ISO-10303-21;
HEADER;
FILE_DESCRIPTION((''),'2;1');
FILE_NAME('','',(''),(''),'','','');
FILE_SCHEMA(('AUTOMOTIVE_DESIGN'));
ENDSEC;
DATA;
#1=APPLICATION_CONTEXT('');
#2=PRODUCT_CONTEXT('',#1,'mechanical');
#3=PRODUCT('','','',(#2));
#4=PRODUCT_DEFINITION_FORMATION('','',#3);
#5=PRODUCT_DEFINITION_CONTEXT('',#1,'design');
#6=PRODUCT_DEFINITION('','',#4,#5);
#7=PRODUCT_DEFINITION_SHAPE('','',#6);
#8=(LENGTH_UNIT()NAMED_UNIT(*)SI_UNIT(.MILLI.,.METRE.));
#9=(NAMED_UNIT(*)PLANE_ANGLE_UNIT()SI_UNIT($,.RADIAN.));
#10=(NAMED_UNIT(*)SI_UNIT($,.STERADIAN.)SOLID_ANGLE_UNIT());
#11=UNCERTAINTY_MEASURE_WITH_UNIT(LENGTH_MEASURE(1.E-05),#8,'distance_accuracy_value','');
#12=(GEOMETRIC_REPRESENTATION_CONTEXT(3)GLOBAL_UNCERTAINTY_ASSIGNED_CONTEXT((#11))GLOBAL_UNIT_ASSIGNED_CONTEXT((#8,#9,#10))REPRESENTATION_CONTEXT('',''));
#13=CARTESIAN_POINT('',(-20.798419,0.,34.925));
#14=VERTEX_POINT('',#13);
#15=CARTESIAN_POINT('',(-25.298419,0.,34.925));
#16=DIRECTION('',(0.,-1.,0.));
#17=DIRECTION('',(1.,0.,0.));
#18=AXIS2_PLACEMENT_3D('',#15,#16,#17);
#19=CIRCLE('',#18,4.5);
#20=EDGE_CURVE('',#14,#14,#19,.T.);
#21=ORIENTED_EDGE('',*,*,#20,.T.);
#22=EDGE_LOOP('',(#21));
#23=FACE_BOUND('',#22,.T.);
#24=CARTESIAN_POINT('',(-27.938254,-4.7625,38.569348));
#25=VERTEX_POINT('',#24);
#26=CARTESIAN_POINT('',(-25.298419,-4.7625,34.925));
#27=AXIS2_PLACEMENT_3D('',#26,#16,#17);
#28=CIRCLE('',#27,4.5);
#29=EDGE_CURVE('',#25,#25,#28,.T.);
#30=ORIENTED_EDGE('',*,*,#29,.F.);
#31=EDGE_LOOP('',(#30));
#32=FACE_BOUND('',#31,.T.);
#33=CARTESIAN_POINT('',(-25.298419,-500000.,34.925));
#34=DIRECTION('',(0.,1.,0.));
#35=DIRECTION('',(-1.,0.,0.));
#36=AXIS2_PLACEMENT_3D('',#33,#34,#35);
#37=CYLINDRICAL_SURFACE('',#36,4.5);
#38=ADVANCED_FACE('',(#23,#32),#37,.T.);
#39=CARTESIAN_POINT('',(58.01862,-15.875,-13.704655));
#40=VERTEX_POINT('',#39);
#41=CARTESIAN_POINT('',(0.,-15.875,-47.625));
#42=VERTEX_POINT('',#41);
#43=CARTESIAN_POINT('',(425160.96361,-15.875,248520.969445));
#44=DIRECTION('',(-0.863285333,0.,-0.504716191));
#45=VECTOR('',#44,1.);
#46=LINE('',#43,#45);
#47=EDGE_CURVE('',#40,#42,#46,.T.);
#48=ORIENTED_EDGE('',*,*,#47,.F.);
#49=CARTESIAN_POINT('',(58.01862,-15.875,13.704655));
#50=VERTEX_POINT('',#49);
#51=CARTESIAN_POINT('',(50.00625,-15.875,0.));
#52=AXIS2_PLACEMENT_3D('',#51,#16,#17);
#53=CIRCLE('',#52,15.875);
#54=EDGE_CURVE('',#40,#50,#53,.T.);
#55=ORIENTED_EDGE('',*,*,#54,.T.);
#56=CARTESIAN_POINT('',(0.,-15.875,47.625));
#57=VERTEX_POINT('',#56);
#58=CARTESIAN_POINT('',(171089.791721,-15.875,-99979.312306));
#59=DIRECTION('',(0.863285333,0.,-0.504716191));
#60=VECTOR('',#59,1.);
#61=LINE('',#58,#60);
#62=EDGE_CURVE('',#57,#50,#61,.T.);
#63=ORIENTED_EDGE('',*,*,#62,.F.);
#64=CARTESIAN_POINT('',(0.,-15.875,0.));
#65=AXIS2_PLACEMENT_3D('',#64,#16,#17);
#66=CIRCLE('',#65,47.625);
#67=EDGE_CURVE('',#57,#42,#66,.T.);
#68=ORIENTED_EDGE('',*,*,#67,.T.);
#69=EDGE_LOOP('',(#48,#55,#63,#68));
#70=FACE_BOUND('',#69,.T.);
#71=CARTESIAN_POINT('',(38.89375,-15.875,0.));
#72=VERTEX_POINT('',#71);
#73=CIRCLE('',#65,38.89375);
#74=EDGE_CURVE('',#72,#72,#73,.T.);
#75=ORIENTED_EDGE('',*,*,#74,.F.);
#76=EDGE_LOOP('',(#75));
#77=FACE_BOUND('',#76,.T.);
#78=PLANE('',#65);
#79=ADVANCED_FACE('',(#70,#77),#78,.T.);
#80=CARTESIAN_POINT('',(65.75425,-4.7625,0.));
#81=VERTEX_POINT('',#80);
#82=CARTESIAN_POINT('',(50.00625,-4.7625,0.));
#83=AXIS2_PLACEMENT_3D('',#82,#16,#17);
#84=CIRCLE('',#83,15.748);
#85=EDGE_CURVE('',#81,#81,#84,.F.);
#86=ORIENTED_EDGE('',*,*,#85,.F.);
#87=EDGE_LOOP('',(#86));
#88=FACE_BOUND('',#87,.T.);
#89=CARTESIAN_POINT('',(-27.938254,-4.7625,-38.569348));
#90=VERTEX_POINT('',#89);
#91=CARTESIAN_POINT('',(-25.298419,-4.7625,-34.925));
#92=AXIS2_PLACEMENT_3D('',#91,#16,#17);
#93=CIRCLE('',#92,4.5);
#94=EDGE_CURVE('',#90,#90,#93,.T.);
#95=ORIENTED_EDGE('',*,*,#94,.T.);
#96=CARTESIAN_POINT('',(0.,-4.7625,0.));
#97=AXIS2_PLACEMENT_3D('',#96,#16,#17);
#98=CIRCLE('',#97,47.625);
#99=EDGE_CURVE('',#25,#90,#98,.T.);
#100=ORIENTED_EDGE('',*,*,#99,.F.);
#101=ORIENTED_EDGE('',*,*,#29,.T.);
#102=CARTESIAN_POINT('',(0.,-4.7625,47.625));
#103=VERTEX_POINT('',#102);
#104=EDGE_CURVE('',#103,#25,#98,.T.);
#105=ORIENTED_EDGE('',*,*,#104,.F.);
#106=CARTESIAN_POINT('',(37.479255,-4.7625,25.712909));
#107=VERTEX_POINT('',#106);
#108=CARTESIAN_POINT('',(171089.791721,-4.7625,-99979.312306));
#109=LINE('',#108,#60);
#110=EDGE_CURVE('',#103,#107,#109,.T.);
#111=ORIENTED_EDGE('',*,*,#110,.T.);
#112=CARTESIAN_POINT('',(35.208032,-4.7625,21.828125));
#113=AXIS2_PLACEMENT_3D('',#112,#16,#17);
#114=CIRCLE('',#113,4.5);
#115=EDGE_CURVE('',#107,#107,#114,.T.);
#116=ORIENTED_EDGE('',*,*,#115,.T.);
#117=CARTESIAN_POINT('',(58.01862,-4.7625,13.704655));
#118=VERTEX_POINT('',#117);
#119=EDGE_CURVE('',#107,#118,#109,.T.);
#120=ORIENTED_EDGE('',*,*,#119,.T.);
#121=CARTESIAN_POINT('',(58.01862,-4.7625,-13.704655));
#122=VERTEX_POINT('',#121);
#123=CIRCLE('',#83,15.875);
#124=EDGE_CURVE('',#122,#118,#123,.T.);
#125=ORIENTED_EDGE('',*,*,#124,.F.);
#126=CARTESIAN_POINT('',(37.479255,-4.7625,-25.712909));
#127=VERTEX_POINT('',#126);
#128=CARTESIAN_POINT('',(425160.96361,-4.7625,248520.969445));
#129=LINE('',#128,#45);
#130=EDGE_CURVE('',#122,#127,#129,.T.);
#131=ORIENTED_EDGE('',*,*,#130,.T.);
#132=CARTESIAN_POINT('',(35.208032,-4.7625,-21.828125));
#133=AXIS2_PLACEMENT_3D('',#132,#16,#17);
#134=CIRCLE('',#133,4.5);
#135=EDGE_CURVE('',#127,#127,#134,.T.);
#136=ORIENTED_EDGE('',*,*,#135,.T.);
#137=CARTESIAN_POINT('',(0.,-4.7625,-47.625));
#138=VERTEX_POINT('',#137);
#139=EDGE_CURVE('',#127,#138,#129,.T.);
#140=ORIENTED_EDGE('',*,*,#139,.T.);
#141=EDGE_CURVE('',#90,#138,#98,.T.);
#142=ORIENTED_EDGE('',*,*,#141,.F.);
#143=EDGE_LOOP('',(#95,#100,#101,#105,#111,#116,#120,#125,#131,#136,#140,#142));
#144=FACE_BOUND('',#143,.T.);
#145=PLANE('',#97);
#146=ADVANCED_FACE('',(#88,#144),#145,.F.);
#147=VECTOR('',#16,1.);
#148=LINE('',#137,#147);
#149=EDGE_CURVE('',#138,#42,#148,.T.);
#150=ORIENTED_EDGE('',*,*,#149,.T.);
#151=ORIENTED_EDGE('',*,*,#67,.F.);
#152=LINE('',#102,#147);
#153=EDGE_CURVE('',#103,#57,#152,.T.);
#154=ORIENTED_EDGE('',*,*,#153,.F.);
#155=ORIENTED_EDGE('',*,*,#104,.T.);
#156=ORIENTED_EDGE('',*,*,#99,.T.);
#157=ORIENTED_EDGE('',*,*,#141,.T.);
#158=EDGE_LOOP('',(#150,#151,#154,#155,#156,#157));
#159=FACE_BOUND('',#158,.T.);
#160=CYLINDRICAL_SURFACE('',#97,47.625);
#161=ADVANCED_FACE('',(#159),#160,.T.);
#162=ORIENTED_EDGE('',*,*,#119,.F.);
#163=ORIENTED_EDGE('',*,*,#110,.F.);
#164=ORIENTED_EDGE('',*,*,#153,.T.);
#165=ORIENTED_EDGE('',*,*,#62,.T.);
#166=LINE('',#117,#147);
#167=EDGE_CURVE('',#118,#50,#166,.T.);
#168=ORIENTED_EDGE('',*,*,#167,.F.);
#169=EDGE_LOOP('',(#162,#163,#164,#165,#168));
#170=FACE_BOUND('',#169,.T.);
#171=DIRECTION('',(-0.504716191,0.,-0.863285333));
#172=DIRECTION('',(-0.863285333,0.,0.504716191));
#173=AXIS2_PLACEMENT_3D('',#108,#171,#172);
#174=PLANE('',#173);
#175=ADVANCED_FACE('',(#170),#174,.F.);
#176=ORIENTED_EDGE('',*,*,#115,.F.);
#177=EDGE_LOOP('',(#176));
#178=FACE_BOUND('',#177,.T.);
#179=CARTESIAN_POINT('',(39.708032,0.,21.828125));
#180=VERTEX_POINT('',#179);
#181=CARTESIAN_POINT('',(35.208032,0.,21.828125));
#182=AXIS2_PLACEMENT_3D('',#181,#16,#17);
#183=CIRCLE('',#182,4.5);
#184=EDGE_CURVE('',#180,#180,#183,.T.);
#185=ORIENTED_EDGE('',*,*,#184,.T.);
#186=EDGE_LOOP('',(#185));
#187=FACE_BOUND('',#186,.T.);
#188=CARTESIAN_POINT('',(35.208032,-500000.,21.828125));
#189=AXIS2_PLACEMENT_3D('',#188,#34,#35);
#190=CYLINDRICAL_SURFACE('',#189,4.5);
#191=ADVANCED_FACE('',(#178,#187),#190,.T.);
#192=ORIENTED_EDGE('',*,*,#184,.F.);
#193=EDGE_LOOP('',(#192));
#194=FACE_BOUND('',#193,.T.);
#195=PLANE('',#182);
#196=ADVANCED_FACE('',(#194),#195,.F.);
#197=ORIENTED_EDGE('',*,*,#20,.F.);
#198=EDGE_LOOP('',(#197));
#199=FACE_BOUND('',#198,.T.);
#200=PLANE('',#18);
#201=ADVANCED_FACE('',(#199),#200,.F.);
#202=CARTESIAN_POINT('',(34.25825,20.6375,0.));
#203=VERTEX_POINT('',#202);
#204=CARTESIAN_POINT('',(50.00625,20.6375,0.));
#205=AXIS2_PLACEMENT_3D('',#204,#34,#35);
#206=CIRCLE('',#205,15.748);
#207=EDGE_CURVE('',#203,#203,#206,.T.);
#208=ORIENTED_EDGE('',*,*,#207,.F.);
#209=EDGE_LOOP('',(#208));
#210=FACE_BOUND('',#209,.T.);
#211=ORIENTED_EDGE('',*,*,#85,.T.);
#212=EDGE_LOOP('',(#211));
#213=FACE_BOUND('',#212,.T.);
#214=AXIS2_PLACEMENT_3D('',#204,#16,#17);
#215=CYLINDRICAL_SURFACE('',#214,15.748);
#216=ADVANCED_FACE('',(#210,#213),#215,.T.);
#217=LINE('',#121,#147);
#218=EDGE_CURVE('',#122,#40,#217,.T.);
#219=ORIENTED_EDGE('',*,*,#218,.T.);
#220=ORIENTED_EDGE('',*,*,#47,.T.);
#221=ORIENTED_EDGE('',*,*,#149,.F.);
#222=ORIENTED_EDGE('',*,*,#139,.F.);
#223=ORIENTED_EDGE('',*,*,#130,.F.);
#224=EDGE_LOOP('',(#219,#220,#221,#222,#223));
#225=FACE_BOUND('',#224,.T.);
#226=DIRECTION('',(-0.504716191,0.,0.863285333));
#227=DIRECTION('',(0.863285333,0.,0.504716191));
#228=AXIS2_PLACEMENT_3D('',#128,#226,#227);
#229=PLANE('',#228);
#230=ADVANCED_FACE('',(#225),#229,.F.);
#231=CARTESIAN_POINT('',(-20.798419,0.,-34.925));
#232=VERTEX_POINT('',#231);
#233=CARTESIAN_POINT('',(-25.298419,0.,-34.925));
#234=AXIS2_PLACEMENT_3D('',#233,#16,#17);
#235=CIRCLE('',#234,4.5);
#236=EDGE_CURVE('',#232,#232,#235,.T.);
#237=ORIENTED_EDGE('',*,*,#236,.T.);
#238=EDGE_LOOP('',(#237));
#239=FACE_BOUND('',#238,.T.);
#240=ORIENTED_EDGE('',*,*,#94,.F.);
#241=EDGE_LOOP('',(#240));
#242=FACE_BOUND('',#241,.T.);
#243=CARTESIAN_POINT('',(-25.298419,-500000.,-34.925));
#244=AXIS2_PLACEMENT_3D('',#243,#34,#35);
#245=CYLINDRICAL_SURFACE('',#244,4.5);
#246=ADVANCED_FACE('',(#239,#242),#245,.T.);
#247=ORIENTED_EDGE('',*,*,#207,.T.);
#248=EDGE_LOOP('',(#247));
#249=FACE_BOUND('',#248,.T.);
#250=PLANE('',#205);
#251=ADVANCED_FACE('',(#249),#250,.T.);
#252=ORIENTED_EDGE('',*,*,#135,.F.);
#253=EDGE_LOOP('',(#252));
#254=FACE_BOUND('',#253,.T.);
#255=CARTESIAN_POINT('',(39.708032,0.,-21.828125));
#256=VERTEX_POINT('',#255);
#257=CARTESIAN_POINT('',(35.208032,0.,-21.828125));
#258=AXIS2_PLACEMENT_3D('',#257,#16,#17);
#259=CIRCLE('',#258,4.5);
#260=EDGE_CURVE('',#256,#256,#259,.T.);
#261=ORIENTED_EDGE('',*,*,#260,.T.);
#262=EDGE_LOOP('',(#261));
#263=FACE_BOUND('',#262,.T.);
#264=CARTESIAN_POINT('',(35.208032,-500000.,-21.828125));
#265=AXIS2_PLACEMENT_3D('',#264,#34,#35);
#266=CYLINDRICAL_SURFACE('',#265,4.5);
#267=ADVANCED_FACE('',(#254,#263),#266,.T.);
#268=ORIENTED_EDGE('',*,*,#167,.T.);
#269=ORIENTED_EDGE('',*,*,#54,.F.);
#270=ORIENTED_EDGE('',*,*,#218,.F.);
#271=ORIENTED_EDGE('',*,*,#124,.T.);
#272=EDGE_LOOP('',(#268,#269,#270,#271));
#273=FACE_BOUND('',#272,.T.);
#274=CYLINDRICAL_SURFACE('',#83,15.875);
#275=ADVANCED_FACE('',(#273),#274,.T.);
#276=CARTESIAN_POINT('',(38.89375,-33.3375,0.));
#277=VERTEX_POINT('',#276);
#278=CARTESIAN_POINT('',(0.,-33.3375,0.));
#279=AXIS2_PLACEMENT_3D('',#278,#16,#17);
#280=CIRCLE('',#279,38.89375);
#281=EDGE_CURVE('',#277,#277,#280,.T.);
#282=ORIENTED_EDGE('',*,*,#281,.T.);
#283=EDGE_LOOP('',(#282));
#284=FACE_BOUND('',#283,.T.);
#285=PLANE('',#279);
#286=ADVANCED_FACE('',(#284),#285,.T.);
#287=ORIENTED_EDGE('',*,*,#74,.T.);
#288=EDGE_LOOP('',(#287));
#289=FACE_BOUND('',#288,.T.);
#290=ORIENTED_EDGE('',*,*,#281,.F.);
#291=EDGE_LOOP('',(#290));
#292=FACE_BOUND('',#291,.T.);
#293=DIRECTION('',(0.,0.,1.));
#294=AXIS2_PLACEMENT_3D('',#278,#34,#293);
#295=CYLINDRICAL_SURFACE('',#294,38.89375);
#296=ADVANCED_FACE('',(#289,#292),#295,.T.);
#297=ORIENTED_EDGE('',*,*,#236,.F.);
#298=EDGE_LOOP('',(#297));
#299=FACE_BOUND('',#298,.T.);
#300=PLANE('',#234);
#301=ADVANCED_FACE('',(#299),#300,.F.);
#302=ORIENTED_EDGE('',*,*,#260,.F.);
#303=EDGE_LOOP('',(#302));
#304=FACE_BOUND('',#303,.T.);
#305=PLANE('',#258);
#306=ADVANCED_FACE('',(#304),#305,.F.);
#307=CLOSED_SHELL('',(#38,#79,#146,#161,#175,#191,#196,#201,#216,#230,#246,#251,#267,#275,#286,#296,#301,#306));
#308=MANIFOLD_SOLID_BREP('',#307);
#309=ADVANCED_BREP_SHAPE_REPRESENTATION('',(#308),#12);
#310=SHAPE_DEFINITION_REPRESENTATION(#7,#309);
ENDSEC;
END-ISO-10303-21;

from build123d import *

# Parameters (mm, degrees)
BOSS_EXTRUDE1_START = -15.875
SKETCH1_R           = 38.89375
BOSS_EXTRUDE1_DEPTH = 17.4625
BOSS_EXTRUDE2_START = 15.875
BOSS_EXTRUDE2_DEPTH = 11.1125
BOSS_EXTRUDE3_REACH = 89.863
SKETCH3_R           = 4.5
SKETCH4_R           = 15.748
BOSS_EXTRUDE4_DEPTH = 25.4


with BuildPart() as part:
    # Sketch1 → Boss-Extrude1 (new body)
    with BuildSketch(Plane(origin=(0, 0, 0), x_dir=(1, 0, 0), z_dir=(0, 1, 0)).offset(BOSS_EXTRUDE1_START)):
        Circle(SKETCH1_R)
    extrude(amount=-BOSS_EXTRUDE1_DEPTH)

    # Sketch2 → Boss-Extrude2 (add)
    with BuildSketch(Plane(origin=(0, 0, 0), x_dir=(-1, 0, 0), z_dir=(0, -1, 0)).offset(BOSS_EXTRUDE2_START)):
        with BuildLine():
            Line((-58.018619526, 13.704654669), (0, 47.625))
            ThreePointArc((0, 47.625), (47.625, 0), (0, -47.625))
            Line((0, -47.625), (-58.018619526, -13.704654669))
            ThreePointArc((-58.018619526, -13.704654669), (-65.88125, 0), (-58.018619526, 13.704654669))
        make_face()
    extrude(amount=-BOSS_EXTRUDE2_DEPTH)

    # Sketch3 → Boss-Extrude3 (add, up to next)
    with BuildSketch(Plane(origin=(0, 0, 0), x_dir=(-1, 0, 0), z_dir=(0, -1, 0)), mode=Mode.PRIVATE) as boss_extrude3_sk1:
        with Locations(Location((-35.208032093, 21.828125, 0), (0, 0, 120.312514276))):
            Circle(SKETCH3_R)
    boss_extrude3_tool1 = extrude(boss_extrude3_sk1.sketch, amount=BOSS_EXTRUDE3_REACH, mode=Mode.PRIVATE) - part.part
    # Sketch3 → Boss-Extrude3 (add, up to next)
    with BuildSketch(Plane(origin=(0, 0, 0), x_dir=(-1, 0, 0), z_dir=(0, -1, 0)), mode=Mode.PRIVATE) as boss_extrude3_sk2:
        with Locations(Location((-35.208032093, -21.828125, 0), (0, 0, 239.687485724))):
            Circle(SKETCH3_R)
    boss_extrude3_tool2 = extrude(boss_extrude3_sk2.sketch, amount=BOSS_EXTRUDE3_REACH, mode=Mode.PRIVATE) - part.part
    # Sketch3 → Boss-Extrude3 (add, up to next)
    with BuildSketch(Plane(origin=(0, 0, 0), x_dir=(-1, 0, 0), z_dir=(0, -1, 0)), mode=Mode.PRIVATE) as boss_extrude3_sk3:
        with Locations(Location((25.298418923, -34.925, 0), (0, 0, 305.918677721))):
            Circle(SKETCH3_R)
    boss_extrude3_tool3 = extrude(boss_extrude3_sk3.sketch, amount=BOSS_EXTRUDE3_REACH, mode=Mode.PRIVATE) - part.part
    # Sketch3 → Boss-Extrude3 (add, up to next)
    with BuildSketch(Plane(origin=(0, 0, 0), x_dir=(-1, 0, 0), z_dir=(0, -1, 0)), mode=Mode.PRIVATE) as boss_extrude3_sk4:
        with Locations(Location((25.298418923, 34.925, 0), (0, 0, 54.082225764))):
            Circle(SKETCH3_R)
    boss_extrude3_tool4 = extrude(boss_extrude3_sk4.sketch, amount=BOSS_EXTRUDE3_REACH, mode=Mode.PRIVATE) - part.part
    add(boss_extrude3_tool1.solids().sort_by_distance((35.208032, 0, -21.828125))[0])
    add(boss_extrude3_tool2.solids().sort_by_distance((35.208032, 0, 21.828125))[0])
    add(boss_extrude3_tool3.solids().sort_by_distance((-25.298419, 0, 34.925))[0])
    add(boss_extrude3_tool4.solids().sort_by_distance((-25.298419, 0, -34.925))[0])

    # Sketch4 → Boss-Extrude4 (add)
    with BuildSketch(Plane(origin=(0, -4.7625, 0), x_dir=(1, 0, 0), z_dir=(0, 1, 0))):
        with Locations((50.00625, 0)):
            Circle(SKETCH4_R)
    extrude(amount=BOSS_EXTRUDE4_DEPTH)


solid = part.part
